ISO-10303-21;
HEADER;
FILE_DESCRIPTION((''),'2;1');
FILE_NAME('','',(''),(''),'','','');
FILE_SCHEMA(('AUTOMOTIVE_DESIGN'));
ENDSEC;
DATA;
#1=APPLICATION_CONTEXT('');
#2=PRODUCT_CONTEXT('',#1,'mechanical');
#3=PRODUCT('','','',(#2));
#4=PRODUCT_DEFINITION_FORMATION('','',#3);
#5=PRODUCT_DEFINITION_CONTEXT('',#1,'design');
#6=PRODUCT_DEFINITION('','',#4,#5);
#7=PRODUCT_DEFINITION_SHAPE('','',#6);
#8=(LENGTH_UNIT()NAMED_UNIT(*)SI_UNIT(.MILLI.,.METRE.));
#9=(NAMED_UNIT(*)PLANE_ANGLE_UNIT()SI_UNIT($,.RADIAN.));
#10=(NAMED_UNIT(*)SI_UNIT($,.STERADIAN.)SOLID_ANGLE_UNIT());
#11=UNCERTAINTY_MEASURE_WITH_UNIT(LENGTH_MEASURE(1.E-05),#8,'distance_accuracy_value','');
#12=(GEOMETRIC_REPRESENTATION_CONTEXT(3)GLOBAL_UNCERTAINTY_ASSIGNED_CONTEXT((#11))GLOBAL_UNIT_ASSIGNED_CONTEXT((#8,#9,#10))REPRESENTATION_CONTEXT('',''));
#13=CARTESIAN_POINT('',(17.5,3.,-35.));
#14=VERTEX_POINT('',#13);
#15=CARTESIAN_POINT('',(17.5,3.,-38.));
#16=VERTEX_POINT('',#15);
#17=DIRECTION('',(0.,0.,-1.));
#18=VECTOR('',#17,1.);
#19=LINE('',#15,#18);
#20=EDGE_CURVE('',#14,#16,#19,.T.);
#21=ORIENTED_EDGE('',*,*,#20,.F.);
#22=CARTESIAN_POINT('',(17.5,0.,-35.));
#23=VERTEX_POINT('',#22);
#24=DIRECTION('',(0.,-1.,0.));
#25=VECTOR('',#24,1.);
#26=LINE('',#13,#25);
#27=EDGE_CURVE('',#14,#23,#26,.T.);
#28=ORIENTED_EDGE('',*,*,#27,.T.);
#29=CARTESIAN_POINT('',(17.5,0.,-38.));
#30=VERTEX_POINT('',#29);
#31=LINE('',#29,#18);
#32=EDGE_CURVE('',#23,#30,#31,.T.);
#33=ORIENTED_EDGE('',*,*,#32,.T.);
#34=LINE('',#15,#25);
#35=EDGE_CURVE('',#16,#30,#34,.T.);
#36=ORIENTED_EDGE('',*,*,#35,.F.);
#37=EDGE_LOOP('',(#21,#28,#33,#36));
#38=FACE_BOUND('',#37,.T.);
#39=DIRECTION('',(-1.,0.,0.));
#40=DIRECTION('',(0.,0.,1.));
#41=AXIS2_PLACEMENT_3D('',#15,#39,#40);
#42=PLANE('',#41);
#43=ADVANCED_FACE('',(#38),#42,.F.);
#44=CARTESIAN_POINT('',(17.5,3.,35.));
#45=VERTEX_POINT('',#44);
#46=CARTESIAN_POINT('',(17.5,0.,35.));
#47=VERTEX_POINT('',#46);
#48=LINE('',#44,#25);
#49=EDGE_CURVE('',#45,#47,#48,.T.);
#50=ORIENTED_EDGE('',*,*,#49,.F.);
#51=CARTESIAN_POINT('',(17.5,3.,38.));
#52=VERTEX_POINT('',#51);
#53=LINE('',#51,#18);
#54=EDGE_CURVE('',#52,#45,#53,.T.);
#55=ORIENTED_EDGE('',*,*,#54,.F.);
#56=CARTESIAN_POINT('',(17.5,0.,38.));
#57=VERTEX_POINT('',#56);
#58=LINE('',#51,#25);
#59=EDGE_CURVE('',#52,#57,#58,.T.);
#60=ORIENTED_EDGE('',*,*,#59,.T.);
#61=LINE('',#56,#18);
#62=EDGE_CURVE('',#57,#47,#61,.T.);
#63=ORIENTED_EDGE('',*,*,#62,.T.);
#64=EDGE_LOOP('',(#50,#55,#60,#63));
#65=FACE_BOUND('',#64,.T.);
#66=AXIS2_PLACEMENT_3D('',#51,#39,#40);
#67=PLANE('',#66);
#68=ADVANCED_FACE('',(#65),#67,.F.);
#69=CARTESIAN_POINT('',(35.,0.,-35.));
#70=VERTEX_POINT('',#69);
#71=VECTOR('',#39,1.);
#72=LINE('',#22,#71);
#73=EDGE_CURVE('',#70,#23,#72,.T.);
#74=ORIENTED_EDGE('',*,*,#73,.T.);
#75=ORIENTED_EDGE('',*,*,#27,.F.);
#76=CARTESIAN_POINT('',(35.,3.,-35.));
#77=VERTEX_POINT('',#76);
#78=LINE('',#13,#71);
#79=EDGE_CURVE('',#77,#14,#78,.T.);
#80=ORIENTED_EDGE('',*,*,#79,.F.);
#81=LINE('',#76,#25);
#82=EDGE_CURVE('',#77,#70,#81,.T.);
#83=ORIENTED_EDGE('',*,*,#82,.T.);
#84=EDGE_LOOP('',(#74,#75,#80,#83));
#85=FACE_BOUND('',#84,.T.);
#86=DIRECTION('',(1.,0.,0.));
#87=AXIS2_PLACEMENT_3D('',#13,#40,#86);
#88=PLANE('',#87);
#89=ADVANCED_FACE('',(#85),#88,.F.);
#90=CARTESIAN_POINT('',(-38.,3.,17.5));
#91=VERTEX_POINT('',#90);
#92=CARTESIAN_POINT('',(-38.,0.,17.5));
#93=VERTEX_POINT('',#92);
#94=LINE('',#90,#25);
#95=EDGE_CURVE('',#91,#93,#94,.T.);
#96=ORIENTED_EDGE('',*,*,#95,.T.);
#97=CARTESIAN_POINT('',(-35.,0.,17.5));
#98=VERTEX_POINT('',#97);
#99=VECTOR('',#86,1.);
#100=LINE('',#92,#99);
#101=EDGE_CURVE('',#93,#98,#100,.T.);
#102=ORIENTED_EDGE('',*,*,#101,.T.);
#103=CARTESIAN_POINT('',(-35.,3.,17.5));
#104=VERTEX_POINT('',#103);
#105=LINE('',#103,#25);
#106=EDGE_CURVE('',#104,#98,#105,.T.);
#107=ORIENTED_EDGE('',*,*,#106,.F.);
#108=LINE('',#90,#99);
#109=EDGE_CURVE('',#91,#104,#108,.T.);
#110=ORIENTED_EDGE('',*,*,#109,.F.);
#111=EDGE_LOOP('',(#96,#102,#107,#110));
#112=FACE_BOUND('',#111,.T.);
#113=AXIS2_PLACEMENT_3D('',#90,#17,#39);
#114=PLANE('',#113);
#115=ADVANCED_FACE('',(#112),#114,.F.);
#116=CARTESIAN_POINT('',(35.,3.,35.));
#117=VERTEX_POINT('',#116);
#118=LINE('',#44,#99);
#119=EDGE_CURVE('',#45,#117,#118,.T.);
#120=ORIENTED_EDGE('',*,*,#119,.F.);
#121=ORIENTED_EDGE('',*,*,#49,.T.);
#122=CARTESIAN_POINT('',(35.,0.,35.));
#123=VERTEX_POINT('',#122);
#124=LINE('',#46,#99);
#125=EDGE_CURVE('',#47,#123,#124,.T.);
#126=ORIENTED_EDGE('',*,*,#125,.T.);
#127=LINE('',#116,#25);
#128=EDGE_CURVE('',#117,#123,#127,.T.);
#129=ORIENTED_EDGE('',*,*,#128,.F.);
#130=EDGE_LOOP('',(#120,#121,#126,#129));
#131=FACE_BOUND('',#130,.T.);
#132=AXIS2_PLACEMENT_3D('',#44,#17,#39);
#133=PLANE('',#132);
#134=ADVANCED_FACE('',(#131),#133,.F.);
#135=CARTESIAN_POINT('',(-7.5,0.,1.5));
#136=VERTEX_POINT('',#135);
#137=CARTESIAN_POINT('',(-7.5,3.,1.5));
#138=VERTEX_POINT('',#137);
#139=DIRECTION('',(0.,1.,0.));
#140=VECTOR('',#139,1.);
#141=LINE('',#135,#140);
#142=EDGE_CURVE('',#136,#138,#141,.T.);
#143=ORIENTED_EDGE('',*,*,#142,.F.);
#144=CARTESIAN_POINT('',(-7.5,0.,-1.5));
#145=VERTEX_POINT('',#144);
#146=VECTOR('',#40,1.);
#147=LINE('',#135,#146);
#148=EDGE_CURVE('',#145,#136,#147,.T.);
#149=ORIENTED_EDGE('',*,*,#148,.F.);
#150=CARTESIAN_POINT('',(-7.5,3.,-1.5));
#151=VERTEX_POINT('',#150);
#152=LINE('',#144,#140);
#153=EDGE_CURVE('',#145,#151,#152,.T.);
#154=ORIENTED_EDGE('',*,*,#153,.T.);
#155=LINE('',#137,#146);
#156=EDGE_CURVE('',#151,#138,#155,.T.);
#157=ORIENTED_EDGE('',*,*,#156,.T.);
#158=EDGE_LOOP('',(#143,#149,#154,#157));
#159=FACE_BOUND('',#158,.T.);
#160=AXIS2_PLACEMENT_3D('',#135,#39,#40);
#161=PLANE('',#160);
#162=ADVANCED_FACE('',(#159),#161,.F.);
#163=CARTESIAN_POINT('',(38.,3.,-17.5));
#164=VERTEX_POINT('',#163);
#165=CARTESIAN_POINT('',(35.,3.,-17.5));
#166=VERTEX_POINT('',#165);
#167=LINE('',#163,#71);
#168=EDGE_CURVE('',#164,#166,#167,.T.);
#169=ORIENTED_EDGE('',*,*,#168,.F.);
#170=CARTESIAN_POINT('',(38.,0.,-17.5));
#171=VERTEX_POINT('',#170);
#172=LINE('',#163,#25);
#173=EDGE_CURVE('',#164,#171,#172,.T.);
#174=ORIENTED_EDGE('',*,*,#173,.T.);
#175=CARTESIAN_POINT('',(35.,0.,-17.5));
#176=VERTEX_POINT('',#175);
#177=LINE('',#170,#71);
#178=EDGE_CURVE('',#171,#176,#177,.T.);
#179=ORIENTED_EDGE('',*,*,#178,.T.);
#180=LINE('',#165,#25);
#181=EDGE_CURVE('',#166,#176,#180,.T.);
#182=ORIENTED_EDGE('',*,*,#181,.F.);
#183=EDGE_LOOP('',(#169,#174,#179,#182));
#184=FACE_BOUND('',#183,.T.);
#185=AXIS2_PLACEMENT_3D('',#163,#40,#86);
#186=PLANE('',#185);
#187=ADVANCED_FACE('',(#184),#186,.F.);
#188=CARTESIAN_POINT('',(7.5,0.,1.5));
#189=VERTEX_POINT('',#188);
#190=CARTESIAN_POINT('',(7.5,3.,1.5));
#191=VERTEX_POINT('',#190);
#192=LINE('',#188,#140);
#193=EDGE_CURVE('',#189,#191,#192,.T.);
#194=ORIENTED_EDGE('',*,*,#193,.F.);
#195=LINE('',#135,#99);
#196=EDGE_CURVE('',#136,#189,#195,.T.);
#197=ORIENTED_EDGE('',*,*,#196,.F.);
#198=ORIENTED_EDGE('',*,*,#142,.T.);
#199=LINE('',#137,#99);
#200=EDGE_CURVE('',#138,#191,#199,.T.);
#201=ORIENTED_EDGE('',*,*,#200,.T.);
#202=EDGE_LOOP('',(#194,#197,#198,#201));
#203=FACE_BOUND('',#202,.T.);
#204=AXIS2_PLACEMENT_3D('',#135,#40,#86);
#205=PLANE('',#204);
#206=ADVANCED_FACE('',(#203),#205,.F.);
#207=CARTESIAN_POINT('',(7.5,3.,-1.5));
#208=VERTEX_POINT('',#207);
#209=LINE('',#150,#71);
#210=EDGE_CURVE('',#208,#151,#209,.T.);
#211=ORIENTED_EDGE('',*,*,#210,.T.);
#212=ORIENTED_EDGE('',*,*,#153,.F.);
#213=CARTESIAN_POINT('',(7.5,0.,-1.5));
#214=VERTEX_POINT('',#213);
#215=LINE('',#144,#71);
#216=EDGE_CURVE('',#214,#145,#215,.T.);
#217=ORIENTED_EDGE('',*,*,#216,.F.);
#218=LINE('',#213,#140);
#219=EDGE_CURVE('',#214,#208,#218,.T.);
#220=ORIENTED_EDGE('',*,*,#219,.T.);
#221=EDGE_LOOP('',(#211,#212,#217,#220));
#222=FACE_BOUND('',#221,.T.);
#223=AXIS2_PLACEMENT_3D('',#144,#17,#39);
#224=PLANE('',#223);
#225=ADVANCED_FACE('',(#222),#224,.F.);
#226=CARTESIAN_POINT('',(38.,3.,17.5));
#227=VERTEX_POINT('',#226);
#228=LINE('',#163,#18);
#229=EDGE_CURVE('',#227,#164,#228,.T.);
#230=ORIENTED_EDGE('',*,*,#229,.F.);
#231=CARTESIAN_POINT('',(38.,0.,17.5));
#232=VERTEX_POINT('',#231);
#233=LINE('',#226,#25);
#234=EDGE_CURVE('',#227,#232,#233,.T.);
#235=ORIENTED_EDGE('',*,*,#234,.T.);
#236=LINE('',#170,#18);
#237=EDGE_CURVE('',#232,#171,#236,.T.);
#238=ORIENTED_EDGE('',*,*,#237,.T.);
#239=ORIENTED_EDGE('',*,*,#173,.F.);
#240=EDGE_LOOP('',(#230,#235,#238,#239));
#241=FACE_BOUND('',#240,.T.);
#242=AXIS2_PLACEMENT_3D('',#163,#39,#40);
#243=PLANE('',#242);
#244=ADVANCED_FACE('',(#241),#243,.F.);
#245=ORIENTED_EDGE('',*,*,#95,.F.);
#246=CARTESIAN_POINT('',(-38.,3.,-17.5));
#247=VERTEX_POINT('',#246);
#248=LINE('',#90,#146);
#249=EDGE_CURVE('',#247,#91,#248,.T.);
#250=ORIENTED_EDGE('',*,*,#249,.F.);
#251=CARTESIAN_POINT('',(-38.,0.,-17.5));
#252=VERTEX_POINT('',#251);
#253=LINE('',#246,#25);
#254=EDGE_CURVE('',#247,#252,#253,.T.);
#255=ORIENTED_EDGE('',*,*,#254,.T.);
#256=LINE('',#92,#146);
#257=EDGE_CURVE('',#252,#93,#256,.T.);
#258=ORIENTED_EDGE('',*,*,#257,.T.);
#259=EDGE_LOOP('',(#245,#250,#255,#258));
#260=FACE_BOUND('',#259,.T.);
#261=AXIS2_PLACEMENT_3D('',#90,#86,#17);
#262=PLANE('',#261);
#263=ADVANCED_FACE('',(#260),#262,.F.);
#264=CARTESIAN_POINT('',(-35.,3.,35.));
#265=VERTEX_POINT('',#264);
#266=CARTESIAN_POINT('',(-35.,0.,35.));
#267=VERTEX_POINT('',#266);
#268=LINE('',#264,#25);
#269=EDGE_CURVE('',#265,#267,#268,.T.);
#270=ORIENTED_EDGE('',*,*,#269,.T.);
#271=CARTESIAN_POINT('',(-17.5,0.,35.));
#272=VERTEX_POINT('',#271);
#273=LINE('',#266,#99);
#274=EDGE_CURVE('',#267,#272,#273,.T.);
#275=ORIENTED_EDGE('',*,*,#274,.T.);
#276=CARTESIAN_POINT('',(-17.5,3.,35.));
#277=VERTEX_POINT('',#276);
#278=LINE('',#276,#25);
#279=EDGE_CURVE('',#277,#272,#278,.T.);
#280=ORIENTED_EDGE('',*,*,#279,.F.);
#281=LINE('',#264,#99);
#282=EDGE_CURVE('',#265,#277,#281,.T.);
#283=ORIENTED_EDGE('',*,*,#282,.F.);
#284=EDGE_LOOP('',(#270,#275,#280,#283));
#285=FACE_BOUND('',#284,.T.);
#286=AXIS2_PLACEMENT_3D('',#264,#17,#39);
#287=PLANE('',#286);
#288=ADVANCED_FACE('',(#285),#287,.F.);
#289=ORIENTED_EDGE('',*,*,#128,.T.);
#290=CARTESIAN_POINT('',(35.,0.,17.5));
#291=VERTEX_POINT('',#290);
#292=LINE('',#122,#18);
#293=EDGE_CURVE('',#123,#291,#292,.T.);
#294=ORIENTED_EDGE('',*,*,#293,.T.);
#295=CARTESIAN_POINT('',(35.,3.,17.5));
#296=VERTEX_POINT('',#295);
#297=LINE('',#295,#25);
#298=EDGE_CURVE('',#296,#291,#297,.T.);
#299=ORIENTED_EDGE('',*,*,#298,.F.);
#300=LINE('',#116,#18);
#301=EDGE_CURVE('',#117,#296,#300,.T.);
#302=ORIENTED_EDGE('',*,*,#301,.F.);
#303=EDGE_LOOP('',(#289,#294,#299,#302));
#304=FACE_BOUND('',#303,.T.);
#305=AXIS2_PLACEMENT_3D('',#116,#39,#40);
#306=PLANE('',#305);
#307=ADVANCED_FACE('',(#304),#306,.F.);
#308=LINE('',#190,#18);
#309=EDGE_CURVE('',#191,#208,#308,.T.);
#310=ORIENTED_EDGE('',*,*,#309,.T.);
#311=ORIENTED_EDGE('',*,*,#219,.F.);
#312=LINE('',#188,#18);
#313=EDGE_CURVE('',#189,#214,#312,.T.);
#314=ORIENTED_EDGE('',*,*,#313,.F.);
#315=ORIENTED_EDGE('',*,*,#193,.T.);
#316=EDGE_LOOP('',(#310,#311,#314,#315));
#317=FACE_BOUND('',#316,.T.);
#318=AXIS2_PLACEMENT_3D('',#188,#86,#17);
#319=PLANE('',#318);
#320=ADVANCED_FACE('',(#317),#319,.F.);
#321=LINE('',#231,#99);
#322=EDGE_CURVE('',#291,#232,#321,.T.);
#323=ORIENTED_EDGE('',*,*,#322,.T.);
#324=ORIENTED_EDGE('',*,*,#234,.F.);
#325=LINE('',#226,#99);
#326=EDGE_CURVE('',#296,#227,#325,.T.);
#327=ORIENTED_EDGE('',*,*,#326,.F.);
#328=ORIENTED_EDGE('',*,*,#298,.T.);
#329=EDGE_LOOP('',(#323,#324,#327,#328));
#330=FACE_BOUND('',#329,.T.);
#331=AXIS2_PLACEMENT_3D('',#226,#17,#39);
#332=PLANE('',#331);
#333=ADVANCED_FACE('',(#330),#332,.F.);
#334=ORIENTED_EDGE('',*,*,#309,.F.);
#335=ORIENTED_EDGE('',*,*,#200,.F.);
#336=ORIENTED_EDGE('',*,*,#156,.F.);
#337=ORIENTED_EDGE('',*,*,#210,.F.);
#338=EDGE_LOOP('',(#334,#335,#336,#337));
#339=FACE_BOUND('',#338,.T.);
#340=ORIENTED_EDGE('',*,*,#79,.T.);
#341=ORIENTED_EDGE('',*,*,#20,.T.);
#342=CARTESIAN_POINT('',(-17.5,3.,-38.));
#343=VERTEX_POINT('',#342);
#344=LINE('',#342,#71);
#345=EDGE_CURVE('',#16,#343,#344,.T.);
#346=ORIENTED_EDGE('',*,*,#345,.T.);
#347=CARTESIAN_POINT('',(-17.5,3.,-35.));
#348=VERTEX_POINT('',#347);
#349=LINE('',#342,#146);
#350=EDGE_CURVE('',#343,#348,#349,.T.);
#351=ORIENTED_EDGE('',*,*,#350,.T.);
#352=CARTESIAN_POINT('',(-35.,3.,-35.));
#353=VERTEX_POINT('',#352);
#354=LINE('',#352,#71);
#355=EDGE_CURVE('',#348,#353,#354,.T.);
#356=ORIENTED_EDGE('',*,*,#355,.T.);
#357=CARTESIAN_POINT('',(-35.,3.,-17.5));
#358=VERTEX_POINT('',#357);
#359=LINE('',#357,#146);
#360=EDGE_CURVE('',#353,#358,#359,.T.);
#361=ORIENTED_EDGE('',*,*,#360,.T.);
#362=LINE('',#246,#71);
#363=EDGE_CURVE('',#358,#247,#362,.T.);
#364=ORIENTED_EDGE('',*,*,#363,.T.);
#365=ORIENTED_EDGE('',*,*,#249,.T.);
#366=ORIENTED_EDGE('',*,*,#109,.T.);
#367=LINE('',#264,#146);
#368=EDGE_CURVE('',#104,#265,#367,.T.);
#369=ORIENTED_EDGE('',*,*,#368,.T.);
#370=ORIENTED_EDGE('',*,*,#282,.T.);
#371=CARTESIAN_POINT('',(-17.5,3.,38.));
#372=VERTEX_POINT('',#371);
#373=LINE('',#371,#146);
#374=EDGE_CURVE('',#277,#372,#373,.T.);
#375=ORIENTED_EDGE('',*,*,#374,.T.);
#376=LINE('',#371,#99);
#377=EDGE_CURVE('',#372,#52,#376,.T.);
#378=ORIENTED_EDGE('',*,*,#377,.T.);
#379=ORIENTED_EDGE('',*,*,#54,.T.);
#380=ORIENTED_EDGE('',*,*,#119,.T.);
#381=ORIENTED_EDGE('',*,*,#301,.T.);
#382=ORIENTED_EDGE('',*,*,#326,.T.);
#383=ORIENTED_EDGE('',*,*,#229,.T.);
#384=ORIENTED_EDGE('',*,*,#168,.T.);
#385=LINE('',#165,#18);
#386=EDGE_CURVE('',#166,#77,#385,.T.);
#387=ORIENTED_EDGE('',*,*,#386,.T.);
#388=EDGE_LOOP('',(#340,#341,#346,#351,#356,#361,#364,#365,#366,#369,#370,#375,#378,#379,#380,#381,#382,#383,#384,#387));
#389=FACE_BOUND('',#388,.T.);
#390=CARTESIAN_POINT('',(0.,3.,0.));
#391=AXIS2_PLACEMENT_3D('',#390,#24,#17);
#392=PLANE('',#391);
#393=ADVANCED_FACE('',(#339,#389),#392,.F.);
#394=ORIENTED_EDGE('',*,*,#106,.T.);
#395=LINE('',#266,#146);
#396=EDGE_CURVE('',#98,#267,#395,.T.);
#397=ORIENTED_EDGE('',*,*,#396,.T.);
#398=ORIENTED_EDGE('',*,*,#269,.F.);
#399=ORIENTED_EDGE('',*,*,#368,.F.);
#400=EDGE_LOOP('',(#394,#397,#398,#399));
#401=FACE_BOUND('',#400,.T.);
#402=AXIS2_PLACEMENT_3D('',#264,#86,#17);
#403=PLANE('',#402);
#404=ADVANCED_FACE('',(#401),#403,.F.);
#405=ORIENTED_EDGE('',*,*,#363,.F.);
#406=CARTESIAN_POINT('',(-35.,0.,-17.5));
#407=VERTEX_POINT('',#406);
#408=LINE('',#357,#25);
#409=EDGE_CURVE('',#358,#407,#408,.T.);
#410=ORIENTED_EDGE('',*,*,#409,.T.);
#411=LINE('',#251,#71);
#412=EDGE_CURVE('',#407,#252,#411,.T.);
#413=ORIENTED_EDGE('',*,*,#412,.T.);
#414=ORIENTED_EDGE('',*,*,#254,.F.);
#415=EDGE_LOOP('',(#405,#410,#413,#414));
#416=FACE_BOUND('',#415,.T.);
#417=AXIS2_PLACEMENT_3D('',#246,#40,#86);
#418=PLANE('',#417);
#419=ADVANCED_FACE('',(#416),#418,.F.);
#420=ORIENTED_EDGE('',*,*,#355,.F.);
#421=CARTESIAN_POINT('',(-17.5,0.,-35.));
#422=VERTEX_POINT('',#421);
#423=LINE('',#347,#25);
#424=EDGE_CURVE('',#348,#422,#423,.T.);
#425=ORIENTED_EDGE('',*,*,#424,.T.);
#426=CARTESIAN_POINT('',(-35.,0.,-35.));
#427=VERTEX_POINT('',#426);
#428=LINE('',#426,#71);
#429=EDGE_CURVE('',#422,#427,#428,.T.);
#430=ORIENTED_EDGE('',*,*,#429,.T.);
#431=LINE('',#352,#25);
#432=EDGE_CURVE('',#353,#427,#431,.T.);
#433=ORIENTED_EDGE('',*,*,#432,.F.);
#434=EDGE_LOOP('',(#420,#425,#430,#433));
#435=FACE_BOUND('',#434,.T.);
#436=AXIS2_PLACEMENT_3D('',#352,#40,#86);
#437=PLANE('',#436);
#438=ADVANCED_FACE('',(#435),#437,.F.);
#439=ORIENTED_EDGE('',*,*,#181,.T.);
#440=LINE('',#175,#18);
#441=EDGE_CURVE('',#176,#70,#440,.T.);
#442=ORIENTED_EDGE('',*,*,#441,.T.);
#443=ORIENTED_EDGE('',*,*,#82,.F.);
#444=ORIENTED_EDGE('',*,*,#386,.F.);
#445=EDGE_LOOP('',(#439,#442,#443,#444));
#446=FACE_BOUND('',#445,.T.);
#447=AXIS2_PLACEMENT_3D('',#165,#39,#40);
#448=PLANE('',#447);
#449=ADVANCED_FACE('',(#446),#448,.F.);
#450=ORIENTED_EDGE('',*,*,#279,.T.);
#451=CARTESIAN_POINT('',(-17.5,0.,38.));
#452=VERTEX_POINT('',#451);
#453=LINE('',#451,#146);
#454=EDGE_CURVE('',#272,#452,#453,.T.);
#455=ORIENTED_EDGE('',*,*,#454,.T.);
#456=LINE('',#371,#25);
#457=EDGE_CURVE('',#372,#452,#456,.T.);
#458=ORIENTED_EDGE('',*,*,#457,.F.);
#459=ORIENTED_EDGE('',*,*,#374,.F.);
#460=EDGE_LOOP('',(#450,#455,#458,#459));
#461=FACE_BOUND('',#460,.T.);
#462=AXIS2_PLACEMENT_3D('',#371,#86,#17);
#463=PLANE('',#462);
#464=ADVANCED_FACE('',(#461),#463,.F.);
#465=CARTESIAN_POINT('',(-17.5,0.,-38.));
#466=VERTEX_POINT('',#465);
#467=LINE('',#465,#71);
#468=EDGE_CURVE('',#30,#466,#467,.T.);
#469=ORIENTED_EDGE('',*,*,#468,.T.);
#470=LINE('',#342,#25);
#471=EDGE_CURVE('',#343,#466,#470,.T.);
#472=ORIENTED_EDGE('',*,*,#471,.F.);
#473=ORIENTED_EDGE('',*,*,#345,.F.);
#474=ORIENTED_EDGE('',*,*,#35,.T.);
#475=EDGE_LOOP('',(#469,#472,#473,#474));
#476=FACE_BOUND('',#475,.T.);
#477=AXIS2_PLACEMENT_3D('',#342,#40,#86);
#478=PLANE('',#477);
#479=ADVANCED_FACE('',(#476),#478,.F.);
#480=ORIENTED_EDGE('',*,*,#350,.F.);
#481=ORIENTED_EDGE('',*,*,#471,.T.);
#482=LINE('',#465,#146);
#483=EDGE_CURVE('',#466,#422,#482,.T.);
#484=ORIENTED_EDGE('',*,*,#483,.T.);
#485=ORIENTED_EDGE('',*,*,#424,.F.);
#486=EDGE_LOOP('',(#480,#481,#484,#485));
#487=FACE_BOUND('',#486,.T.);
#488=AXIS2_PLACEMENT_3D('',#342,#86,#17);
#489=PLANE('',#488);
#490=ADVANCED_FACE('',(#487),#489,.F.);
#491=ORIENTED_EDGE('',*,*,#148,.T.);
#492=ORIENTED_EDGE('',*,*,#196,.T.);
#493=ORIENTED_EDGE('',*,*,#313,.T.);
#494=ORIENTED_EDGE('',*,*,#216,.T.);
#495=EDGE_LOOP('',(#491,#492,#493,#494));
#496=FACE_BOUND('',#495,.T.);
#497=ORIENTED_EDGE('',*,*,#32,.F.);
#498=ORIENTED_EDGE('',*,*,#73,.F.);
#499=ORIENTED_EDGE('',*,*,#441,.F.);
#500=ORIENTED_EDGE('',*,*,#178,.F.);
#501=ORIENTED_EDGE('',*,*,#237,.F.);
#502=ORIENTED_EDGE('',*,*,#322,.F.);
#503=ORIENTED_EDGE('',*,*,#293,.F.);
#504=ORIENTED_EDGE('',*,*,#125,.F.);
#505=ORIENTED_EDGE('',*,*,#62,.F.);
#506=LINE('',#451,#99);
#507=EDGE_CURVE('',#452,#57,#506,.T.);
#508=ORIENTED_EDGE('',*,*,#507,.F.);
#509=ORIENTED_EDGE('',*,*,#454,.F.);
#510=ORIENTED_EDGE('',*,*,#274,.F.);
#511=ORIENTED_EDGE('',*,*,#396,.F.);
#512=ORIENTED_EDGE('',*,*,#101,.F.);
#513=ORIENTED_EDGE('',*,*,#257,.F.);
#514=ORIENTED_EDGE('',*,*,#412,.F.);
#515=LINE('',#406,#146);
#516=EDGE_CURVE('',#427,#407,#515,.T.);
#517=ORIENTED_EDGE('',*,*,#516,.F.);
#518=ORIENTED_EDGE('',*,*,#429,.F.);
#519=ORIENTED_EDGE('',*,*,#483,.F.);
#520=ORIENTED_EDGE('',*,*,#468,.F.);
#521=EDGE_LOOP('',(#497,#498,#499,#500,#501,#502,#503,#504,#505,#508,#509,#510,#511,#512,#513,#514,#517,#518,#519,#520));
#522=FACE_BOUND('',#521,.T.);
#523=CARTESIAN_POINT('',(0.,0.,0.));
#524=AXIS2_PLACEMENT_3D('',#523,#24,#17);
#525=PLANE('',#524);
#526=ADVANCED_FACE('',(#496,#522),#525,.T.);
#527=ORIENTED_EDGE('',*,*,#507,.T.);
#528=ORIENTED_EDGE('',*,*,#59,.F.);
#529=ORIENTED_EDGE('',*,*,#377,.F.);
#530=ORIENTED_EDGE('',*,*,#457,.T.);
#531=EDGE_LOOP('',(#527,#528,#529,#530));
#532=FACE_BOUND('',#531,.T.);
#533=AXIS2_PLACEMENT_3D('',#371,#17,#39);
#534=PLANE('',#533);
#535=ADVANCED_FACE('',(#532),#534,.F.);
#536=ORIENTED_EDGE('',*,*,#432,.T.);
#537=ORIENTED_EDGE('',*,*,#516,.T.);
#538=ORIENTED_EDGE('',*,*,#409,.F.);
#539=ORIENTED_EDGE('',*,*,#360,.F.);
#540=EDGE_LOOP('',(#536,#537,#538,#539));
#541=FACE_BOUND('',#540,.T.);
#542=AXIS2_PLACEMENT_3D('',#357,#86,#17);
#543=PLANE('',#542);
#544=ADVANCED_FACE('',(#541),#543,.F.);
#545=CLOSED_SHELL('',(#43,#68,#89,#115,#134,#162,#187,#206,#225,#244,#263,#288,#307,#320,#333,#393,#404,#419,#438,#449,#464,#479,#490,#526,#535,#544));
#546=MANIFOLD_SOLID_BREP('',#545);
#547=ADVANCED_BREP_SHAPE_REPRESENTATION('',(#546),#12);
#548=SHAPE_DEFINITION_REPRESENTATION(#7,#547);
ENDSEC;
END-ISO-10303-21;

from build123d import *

# Parameters (mm, degrees)
BOSS_EXTRUDE1_DEPTH = 3
SKETCH2_W           = 15
SKETCH2_H           = 3
CUT_EXTRUDE1_DEPTH  = 3


with BuildPart() as part:
    # Sketch1 → Boss-Extrude1 (new body)
    with BuildSketch(Plane(origin=(0, 0, 0), x_dir=(1, 0, 0), z_dir=(0, 1, 0))):
        Polygon((-35, -35), (-17.5, -35), (-17.5, -38), (17.5, -38), (17.5, -35), (35, -35), (35, -17.5), (38, -17.5), (38, 17.5), (35, 17.5), (35, 35), (17.5, 35), (17.5, 38), (-17.5, 38), (-17.5, 35), (-35, 35), (-35, 17.5), (-38, 17.5), (-38, -17.5), (-35, -17.5), align=None)
    extrude(amount=BOSS_EXTRUDE1_DEPTH)

    # Sketch2 → Cut-Extrude1 (cut)
    with BuildSketch(Plane(origin=(0, 3, 0), x_dir=(1, 0, 0), z_dir=(0, 1, 0))):
        Rectangle(SKETCH2_W, SKETCH2_H)
    extrude(amount=-CUT_EXTRUDE1_DEPTH, mode=Mode.SUBTRACT)


solid = part.part
